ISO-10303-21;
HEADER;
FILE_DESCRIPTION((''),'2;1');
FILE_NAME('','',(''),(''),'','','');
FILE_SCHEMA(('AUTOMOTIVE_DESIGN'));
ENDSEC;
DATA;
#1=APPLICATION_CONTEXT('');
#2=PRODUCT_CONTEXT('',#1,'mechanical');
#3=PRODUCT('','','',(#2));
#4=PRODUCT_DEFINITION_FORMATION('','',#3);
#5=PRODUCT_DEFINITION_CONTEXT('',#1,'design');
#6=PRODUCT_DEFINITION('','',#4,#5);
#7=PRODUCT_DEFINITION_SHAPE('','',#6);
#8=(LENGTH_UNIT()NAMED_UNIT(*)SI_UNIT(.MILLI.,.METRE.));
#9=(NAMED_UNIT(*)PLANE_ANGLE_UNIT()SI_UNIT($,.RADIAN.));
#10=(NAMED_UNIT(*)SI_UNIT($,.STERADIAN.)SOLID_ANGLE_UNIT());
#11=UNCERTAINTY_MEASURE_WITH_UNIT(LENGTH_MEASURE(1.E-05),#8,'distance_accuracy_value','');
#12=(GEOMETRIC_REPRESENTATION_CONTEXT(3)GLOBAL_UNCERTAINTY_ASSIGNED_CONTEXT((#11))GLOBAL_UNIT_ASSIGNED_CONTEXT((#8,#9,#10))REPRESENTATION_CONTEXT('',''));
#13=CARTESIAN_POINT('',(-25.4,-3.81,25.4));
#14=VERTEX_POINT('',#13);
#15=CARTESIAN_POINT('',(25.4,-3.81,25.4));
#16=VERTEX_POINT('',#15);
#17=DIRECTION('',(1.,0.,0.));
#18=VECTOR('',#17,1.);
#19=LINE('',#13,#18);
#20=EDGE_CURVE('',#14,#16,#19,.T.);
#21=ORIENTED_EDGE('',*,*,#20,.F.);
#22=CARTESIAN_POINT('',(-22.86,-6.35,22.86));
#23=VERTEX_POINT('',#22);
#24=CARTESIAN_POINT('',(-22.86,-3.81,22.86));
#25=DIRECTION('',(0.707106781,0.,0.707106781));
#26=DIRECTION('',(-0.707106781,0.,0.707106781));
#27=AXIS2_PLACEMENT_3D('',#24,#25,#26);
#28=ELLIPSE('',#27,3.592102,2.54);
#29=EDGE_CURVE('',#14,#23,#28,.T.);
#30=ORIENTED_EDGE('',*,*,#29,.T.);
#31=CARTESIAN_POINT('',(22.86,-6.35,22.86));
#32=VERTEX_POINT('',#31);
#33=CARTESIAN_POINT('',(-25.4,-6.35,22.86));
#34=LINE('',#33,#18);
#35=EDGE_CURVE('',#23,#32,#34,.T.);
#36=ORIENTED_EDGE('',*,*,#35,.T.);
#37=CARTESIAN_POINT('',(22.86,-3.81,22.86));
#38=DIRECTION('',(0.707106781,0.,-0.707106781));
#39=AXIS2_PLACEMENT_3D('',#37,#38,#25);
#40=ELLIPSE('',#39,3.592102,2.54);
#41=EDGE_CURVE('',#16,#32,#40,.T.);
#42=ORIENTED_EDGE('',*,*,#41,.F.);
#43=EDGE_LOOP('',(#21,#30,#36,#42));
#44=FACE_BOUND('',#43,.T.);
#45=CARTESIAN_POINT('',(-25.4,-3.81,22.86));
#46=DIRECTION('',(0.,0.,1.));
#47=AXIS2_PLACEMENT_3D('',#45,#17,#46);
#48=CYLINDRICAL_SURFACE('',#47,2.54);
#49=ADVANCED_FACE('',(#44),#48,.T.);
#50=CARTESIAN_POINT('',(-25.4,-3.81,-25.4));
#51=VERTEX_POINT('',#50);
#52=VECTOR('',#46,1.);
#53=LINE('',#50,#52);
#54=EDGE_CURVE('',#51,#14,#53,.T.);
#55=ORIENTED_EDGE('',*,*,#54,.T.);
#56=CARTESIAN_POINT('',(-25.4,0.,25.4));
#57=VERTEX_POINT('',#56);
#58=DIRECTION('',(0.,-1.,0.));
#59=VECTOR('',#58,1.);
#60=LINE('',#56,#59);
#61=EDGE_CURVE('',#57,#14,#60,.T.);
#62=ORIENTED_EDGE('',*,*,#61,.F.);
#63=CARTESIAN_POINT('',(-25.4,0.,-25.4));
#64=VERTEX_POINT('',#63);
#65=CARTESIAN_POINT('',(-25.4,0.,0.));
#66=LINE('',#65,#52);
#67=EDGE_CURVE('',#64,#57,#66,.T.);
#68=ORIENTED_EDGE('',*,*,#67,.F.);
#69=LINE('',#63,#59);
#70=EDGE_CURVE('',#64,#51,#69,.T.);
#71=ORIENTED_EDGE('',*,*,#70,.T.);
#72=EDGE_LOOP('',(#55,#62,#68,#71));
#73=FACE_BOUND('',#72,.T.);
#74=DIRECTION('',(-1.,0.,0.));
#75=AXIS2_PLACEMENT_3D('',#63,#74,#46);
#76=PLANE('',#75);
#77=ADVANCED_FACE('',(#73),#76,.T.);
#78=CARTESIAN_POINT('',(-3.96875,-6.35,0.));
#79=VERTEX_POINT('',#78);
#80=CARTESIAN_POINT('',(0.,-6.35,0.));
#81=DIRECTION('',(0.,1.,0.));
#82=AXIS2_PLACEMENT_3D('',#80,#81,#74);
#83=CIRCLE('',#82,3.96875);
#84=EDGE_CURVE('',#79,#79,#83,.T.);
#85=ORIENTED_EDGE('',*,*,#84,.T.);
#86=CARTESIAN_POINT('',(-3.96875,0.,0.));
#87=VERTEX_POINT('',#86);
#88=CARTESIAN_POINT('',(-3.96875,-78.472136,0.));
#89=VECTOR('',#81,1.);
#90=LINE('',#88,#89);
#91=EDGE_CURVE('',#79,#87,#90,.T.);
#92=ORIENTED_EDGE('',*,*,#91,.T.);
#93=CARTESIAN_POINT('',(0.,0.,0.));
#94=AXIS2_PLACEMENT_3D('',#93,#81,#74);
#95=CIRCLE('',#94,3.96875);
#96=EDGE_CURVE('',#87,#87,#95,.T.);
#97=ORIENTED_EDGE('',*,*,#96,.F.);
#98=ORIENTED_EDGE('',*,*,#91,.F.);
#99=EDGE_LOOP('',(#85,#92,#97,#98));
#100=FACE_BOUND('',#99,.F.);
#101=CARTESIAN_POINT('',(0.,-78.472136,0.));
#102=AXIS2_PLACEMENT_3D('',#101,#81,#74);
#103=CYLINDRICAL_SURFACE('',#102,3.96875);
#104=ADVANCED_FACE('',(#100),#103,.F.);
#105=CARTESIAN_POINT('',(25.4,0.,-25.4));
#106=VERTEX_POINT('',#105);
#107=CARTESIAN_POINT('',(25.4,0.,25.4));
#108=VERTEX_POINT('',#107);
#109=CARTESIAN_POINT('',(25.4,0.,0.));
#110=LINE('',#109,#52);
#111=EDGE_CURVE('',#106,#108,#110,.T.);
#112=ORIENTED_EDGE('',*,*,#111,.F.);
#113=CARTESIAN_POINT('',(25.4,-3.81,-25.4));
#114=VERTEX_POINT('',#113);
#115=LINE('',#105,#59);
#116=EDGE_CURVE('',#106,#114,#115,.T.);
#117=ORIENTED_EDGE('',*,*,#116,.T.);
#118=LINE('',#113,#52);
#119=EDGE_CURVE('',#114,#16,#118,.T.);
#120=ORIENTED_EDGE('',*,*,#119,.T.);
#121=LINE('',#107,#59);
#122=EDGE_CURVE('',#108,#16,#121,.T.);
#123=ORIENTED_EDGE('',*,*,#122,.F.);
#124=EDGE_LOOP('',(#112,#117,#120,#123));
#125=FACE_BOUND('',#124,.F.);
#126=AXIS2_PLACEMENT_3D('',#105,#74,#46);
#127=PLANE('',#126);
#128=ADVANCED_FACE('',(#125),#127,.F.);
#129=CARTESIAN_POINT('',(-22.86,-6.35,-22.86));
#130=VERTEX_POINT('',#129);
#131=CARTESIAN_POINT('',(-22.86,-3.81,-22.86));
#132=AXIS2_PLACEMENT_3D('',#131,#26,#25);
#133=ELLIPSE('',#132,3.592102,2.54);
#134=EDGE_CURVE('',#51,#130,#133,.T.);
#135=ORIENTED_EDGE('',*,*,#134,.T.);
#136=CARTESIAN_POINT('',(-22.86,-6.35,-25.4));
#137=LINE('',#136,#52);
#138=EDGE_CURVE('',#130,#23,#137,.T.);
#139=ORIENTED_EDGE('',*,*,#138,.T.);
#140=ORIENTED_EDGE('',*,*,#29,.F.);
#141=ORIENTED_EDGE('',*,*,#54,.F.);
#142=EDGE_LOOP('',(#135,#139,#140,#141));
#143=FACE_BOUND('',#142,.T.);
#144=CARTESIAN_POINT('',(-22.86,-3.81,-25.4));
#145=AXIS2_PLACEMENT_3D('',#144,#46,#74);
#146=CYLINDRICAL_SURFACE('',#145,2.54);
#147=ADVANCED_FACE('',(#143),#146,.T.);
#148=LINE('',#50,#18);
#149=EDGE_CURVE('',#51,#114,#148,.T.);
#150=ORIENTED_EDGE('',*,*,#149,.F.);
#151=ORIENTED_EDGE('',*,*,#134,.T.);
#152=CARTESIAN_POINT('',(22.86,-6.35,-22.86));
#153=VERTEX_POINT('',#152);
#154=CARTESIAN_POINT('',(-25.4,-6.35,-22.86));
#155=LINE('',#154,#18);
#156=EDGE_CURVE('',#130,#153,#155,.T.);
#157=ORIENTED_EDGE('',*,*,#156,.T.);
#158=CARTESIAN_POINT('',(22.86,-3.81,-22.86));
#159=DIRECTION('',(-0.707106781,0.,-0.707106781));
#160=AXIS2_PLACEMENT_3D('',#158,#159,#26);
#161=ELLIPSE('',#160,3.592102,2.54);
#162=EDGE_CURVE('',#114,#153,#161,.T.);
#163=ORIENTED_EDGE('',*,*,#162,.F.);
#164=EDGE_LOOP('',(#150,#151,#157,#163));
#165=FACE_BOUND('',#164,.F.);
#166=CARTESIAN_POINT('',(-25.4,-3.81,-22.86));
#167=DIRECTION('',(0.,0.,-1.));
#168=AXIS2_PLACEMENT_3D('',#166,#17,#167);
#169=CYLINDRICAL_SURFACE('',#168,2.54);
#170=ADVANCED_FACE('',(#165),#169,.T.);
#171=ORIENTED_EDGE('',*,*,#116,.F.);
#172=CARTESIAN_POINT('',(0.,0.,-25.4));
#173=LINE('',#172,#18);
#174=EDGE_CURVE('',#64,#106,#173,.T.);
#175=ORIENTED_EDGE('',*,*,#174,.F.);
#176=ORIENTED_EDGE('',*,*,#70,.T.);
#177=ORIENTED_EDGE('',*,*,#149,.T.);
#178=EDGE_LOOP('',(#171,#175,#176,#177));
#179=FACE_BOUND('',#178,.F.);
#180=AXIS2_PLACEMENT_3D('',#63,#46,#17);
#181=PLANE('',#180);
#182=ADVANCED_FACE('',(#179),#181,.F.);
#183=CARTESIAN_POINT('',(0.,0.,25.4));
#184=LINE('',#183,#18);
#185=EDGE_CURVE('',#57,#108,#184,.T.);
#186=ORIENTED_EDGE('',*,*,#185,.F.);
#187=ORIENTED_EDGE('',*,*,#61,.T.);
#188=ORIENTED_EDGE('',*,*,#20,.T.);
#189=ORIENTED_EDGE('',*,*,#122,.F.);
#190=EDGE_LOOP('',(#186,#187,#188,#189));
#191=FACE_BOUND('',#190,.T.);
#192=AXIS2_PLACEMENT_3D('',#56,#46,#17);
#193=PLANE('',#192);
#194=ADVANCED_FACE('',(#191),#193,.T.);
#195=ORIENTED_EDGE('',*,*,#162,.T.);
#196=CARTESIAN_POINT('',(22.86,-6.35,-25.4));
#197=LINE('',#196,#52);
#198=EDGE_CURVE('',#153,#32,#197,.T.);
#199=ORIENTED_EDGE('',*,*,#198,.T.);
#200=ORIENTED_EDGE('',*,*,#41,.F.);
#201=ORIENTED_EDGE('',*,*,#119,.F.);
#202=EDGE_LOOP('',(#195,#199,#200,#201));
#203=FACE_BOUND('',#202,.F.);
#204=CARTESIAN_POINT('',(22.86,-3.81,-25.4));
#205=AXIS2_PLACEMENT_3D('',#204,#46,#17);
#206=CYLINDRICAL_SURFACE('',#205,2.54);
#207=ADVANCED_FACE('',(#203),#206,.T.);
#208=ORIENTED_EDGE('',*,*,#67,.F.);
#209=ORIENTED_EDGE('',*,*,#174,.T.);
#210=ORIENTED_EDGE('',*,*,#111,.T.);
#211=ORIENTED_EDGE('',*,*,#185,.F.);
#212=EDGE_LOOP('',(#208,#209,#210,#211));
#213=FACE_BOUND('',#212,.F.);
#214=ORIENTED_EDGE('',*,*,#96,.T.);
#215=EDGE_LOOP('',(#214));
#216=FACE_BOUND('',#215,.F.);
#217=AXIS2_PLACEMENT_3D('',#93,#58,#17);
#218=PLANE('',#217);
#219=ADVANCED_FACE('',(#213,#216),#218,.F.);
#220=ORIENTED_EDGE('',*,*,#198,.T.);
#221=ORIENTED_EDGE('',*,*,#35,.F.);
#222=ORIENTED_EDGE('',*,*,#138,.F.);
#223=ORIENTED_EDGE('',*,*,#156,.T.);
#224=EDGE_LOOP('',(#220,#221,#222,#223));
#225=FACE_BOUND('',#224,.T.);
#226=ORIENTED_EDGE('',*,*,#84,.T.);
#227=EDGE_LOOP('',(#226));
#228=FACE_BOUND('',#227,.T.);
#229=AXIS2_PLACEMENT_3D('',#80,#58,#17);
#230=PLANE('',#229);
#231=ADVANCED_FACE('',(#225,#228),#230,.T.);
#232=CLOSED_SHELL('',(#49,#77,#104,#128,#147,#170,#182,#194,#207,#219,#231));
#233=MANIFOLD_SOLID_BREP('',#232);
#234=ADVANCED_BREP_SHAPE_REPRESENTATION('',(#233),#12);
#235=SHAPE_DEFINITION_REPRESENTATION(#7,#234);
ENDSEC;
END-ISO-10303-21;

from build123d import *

# Parameters (mm, degrees)
F0_W     = 50.8
F0_H     = 50.8
F1_DEPTH = 6.35
F2_R     = 2.54
F4_D     = 7.9375


with BuildPart() as f1:
    # F0 (on Front) → F1 (new body)
    with BuildSketch(Plane.XZ):
        Rectangle(F0_W, F0_H)
    extrude(amount=F1_DEPTH)

    # F2
    f2_edges = [f1.edges().sort_by_distance(p)[0] for p in [
        (25.4, -6.35, 0),
        (0, -6.35, -25.4),
        (-25.4, -6.35, 0),
        (0, -6.35, 25.4),
    ]]
    fillet(f2_edges, radius=F2_R)

    # F4 (through all)
    with Locations(Plane.XZ.offset(6.35)):
        with Locations((0, 0)):
            Hole(F4_D / 2)


solid = f1.part
